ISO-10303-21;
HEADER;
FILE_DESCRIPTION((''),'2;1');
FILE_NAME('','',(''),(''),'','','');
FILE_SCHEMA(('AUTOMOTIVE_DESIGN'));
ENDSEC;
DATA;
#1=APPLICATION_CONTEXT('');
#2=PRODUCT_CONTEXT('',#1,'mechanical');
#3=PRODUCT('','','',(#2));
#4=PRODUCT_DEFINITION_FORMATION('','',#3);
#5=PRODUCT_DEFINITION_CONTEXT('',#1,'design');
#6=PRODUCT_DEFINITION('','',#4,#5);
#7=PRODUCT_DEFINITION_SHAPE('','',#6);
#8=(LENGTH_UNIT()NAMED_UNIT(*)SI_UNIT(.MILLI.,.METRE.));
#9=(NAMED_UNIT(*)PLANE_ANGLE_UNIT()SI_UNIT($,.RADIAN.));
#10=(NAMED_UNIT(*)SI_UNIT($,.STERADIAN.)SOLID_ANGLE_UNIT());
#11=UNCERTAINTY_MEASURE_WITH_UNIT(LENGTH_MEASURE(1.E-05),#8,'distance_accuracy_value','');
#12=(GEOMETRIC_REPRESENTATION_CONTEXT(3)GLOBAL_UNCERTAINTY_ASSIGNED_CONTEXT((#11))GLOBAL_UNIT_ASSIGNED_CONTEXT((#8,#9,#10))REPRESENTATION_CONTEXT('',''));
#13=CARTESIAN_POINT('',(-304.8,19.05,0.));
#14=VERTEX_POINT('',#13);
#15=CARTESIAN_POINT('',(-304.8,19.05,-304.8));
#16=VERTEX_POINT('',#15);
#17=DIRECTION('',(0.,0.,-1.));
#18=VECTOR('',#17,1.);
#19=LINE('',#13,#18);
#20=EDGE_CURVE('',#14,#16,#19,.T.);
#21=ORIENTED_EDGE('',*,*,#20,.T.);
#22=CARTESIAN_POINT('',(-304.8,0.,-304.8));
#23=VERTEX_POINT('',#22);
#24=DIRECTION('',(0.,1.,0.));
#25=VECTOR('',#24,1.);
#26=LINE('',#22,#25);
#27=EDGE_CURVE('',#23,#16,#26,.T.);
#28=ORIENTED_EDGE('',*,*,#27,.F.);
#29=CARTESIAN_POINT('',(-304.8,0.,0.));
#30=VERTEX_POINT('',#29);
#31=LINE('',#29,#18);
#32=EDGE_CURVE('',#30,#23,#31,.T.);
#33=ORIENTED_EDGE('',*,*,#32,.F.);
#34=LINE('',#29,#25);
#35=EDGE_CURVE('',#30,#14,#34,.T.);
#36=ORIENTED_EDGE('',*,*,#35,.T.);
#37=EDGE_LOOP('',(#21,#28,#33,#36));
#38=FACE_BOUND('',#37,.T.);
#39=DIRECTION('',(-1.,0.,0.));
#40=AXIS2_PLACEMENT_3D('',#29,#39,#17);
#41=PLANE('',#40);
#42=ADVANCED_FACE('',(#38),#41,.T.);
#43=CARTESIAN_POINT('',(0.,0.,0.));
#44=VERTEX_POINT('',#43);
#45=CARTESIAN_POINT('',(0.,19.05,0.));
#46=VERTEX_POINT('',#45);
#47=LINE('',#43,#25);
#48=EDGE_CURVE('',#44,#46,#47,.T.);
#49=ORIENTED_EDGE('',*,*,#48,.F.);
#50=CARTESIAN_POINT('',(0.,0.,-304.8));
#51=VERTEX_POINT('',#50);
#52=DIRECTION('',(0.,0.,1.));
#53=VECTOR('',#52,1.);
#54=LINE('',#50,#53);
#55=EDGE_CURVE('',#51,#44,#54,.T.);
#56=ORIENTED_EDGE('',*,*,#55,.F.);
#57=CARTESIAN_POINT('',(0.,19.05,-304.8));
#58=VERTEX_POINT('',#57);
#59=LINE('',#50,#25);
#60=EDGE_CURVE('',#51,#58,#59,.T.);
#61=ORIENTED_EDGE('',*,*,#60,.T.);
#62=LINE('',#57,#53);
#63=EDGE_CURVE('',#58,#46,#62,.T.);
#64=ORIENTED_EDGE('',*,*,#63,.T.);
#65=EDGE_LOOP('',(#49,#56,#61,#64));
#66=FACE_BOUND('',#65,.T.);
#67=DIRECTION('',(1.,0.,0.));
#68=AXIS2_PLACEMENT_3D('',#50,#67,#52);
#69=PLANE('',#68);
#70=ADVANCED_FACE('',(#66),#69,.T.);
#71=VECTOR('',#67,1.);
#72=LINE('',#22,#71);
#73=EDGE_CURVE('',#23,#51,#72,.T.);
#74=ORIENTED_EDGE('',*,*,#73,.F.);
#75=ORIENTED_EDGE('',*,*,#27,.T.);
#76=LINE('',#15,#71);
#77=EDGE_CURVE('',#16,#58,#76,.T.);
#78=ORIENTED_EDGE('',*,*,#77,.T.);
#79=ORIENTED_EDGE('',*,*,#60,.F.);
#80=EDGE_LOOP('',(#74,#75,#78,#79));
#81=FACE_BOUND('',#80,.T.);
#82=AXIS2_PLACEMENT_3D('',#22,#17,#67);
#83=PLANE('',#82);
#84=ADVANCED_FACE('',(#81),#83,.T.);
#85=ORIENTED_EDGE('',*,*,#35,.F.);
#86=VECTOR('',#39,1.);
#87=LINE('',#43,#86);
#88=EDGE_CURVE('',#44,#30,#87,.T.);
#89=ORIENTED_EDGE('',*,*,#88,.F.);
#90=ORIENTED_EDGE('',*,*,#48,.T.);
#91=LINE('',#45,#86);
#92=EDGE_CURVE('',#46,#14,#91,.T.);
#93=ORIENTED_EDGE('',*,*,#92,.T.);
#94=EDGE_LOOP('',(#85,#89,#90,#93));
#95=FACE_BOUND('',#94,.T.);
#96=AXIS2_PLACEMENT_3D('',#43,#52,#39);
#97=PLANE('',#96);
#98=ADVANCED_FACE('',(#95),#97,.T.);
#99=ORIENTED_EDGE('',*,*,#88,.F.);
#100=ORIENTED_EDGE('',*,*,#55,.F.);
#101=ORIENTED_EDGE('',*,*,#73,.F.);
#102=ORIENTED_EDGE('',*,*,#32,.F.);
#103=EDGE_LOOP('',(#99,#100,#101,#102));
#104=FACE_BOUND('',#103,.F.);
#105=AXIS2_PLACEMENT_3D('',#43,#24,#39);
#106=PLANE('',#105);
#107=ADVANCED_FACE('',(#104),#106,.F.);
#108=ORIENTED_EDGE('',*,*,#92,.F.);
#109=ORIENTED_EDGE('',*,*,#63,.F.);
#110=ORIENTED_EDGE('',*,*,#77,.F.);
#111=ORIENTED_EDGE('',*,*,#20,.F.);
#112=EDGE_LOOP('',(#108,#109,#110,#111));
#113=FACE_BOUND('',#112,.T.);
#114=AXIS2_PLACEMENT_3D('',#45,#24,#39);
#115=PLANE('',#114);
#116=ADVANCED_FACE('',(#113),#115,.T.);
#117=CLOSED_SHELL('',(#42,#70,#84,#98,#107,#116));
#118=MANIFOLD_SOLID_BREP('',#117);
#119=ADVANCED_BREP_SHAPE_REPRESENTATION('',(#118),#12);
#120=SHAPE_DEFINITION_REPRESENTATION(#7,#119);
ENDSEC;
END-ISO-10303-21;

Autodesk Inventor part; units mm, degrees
ref_plane "YZ Plane" through (0, 0, 0) normal (1, 0, 0) x (0, 1, 0)
ref_plane "XZ Plane" through (0, 0, 0) normal (0, 1, 0) x (-1, 0, 0)
ref_plane "XY Plane" through (0, 0, 0) normal (0, 0, 1) x (1, 0, 0)
sketch "Sketch1" plane through (0, 0, 0) normal (0, 1, 0) x (-1, 0, 0)
  line L0 (0, 0) -> (304.8, 0)
  line L1 (304.8, 0) -> (304.8, -304.8)
  line L2 (304.8, -304.8) -> (0, -304.8)
  line L3 (0, -304.8) -> (0, 0)
  dimension "d0" = 304.8
  dimension "d1" = 304.8
extrude "Extrusion1" add sketch "Sketch1" along normal blind 19.05
properties part number "Floor"
